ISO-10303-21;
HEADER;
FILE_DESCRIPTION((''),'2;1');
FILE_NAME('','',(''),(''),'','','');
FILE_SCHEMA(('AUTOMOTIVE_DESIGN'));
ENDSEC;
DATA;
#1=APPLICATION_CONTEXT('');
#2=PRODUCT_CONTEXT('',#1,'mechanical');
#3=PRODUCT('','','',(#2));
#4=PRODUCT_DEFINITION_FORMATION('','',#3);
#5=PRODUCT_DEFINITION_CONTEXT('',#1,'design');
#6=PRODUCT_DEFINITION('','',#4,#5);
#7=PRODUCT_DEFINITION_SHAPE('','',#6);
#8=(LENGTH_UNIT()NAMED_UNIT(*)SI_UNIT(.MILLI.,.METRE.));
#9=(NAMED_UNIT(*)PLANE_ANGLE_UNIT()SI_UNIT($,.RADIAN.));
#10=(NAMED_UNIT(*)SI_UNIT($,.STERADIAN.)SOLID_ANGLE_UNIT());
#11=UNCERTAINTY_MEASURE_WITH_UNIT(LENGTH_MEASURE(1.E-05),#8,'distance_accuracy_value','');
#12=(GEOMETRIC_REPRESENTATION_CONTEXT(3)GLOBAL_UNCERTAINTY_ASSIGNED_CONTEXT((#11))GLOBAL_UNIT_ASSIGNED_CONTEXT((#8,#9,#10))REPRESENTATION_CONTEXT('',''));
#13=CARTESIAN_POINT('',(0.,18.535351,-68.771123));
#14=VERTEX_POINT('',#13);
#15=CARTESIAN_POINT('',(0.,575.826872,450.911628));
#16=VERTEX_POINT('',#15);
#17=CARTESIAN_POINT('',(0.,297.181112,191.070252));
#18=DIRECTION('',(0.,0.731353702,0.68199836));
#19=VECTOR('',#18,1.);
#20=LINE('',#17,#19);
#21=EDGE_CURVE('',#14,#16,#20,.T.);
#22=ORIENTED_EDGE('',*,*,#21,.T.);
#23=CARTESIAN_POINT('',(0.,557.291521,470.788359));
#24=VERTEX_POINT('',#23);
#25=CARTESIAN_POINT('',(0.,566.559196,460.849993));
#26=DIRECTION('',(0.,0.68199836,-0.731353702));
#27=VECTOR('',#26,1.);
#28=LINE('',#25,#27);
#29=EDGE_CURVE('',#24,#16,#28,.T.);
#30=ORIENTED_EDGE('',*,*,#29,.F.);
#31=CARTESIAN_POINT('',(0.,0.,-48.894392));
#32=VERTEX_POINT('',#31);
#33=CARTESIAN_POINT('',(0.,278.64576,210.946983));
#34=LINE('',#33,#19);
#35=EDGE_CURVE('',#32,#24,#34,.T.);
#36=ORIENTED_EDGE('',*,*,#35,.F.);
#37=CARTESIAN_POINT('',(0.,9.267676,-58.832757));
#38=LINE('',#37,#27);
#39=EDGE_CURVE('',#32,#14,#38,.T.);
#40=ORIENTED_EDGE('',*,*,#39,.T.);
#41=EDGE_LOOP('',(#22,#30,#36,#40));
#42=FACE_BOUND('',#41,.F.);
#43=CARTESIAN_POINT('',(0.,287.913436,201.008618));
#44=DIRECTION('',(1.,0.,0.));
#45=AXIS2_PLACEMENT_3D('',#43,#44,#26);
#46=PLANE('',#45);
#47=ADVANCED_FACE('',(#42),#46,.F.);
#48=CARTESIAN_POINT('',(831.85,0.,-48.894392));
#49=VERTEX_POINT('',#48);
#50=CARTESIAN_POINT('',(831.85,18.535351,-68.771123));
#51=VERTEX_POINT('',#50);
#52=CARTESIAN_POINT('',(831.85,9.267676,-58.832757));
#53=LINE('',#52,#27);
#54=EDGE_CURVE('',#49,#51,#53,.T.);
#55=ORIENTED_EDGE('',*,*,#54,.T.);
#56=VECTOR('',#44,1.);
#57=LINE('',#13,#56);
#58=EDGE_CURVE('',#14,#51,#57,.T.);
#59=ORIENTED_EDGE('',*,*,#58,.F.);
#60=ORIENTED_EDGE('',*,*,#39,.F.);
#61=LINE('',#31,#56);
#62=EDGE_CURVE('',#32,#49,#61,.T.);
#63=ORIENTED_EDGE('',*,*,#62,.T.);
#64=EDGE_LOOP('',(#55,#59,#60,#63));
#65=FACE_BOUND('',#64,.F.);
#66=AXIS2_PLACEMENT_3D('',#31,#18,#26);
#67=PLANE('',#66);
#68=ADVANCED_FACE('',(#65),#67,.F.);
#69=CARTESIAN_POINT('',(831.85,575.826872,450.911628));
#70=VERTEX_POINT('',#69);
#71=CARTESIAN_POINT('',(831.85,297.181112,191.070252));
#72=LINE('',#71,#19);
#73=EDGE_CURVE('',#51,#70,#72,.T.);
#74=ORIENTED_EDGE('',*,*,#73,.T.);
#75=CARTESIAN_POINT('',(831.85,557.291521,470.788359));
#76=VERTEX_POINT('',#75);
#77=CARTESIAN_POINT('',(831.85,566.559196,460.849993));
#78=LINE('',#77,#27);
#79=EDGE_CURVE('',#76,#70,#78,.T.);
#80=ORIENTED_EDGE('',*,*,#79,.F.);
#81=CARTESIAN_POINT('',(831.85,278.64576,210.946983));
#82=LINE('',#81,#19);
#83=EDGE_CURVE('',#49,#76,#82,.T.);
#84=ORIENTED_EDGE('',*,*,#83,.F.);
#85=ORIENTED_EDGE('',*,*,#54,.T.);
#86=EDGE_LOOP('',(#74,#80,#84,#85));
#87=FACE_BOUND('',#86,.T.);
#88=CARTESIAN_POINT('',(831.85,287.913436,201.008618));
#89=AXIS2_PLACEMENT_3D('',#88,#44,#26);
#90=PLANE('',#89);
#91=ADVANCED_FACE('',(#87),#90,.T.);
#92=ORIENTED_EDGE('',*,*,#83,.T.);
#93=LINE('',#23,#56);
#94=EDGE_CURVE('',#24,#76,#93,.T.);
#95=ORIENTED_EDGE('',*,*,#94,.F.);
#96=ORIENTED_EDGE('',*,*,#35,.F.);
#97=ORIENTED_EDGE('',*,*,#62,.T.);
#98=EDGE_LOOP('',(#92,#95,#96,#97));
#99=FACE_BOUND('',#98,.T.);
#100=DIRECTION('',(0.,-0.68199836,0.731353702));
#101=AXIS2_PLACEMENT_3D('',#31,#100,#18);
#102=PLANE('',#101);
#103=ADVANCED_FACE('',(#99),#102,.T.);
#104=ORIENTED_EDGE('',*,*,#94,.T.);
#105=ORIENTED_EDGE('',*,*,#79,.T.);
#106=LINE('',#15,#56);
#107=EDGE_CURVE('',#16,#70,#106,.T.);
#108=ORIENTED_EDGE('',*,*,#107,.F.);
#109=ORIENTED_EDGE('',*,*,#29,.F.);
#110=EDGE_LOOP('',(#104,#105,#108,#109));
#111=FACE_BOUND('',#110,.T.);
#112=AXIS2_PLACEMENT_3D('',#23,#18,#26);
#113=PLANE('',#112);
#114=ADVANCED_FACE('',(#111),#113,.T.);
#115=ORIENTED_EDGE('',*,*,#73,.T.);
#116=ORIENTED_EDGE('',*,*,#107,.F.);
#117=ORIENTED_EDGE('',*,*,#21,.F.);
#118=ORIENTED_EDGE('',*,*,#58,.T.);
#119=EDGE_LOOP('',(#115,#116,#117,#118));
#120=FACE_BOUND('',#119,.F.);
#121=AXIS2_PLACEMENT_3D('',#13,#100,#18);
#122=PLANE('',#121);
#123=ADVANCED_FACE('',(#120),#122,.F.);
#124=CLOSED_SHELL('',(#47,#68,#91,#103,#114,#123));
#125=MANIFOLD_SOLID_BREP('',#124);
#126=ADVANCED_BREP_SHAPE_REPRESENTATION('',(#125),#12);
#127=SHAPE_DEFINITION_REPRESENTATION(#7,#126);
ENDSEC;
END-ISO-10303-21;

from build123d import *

# Parameters (mm, degrees)
F0_W     = 27.178
F0_H     = 762
F1_DEPTH = 831.85
F2_ANGLE = 47


with BuildPart() as f1:
    # F0 (on Right) → F1 (new body)
    with BuildSketch(Plane.YZ):
        with Locations((13.589, 332.1056081848)):
            Rectangle(F0_W, F0_H)
    extrude(amount=F1_DEPTH)


with BuildPart() as f1_1:
    # F2: moved
    add(f1.part.rotate(Axis((415.925, 0, -48.8943918152), (-1, 0, 0)), F2_ANGLE))


solid = f1_1.part
